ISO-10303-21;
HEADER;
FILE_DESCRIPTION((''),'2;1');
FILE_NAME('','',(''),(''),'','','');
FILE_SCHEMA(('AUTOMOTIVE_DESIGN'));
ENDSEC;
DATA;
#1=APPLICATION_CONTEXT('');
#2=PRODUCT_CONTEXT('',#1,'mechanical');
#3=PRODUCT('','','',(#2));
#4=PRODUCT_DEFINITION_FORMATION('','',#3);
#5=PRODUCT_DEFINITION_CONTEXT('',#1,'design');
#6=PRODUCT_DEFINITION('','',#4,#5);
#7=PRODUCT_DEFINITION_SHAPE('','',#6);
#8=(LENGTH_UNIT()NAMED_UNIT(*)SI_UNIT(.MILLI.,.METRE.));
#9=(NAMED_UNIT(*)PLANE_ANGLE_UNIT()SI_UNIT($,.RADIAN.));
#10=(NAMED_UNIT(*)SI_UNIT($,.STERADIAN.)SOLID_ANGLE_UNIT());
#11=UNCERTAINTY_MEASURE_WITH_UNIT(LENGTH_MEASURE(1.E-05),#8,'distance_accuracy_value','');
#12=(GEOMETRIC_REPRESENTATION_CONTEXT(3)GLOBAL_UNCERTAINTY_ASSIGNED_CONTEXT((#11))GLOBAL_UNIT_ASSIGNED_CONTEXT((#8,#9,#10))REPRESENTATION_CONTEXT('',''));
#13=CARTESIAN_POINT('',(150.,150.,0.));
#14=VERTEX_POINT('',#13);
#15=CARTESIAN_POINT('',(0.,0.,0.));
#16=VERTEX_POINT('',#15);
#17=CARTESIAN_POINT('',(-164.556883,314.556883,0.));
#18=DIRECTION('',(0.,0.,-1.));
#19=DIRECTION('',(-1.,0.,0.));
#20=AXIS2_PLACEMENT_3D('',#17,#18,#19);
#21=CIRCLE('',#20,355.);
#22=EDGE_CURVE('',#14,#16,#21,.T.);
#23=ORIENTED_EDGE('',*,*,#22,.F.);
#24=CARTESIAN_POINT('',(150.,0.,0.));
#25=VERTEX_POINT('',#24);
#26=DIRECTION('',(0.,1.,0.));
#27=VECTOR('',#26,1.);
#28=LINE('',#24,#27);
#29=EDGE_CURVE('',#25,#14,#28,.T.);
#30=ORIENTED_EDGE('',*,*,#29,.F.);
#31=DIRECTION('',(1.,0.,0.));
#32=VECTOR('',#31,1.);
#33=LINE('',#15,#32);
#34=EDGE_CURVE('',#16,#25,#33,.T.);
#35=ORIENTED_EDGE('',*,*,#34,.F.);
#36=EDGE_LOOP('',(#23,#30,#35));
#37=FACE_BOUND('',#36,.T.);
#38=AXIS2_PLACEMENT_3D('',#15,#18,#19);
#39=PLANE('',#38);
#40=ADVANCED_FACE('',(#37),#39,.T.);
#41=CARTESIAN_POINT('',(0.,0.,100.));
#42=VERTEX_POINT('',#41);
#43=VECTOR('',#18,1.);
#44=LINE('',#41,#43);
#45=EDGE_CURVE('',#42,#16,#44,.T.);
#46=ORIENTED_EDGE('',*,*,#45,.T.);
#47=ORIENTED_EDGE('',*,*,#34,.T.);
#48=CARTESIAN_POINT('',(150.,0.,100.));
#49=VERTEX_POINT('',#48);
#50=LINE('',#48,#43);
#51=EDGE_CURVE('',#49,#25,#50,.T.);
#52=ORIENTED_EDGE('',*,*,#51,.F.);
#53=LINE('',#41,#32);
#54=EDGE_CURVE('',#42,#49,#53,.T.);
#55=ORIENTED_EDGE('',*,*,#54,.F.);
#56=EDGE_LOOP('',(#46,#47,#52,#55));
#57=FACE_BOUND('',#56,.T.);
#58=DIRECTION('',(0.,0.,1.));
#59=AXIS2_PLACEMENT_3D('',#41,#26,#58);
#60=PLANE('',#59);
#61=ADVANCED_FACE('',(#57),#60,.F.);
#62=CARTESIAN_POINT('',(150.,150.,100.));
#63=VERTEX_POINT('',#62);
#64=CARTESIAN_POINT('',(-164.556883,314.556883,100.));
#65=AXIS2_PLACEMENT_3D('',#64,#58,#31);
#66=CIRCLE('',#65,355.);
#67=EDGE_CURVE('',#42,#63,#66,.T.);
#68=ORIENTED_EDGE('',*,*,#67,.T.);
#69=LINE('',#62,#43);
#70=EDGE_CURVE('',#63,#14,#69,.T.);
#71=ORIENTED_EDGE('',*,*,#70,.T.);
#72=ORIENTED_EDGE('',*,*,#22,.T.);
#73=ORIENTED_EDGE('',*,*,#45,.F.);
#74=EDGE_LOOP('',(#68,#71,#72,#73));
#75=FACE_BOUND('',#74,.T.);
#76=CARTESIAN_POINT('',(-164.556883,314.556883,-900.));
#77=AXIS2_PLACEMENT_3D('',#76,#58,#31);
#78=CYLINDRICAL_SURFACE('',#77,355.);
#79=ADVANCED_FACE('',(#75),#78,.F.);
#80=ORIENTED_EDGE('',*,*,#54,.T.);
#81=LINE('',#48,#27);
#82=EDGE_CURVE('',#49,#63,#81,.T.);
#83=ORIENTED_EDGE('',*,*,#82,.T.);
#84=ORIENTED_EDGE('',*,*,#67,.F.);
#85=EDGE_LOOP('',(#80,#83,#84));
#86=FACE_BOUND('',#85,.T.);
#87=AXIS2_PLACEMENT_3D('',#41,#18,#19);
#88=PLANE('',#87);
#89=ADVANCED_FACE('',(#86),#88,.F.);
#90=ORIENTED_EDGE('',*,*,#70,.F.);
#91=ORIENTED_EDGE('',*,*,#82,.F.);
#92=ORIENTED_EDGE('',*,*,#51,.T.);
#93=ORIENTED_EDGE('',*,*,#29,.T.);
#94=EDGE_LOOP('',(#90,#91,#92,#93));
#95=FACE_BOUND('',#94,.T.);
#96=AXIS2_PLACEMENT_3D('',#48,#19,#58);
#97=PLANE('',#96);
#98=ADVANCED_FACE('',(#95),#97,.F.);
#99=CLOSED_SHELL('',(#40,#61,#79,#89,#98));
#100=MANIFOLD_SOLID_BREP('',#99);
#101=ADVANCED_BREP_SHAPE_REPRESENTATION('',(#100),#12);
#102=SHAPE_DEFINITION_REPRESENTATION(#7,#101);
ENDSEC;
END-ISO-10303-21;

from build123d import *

# Parameters (mm, degrees)
SKETCH_1_W          = 150
SKETCH_1_H          = 150
EXTRUDE_1_DEPTH     = 100
SKETCH_2_R          = 355
CUT_EXTRUDE_1_DEPTH = 1000


with BuildPart() as part:
    # 草图1 → 凸台-拉伸1 (new body)
    with BuildSketch(Plane.XY):
        with Locations((75, 75)):
            Rectangle(SKETCH_1_W, SKETCH_1_H)
    extrude(amount=EXTRUDE_1_DEPTH)

    # 草图2 → 切除-拉伸1 (cut)
    with BuildSketch(Plane.XY.offset(100)):
        with Locations((-164.556882598, 314.556882598)):
            Circle(SKETCH_2_R)
    extrude(amount=-CUT_EXTRUDE_1_DEPTH, mode=Mode.SUBTRACT)


solid = part.part
